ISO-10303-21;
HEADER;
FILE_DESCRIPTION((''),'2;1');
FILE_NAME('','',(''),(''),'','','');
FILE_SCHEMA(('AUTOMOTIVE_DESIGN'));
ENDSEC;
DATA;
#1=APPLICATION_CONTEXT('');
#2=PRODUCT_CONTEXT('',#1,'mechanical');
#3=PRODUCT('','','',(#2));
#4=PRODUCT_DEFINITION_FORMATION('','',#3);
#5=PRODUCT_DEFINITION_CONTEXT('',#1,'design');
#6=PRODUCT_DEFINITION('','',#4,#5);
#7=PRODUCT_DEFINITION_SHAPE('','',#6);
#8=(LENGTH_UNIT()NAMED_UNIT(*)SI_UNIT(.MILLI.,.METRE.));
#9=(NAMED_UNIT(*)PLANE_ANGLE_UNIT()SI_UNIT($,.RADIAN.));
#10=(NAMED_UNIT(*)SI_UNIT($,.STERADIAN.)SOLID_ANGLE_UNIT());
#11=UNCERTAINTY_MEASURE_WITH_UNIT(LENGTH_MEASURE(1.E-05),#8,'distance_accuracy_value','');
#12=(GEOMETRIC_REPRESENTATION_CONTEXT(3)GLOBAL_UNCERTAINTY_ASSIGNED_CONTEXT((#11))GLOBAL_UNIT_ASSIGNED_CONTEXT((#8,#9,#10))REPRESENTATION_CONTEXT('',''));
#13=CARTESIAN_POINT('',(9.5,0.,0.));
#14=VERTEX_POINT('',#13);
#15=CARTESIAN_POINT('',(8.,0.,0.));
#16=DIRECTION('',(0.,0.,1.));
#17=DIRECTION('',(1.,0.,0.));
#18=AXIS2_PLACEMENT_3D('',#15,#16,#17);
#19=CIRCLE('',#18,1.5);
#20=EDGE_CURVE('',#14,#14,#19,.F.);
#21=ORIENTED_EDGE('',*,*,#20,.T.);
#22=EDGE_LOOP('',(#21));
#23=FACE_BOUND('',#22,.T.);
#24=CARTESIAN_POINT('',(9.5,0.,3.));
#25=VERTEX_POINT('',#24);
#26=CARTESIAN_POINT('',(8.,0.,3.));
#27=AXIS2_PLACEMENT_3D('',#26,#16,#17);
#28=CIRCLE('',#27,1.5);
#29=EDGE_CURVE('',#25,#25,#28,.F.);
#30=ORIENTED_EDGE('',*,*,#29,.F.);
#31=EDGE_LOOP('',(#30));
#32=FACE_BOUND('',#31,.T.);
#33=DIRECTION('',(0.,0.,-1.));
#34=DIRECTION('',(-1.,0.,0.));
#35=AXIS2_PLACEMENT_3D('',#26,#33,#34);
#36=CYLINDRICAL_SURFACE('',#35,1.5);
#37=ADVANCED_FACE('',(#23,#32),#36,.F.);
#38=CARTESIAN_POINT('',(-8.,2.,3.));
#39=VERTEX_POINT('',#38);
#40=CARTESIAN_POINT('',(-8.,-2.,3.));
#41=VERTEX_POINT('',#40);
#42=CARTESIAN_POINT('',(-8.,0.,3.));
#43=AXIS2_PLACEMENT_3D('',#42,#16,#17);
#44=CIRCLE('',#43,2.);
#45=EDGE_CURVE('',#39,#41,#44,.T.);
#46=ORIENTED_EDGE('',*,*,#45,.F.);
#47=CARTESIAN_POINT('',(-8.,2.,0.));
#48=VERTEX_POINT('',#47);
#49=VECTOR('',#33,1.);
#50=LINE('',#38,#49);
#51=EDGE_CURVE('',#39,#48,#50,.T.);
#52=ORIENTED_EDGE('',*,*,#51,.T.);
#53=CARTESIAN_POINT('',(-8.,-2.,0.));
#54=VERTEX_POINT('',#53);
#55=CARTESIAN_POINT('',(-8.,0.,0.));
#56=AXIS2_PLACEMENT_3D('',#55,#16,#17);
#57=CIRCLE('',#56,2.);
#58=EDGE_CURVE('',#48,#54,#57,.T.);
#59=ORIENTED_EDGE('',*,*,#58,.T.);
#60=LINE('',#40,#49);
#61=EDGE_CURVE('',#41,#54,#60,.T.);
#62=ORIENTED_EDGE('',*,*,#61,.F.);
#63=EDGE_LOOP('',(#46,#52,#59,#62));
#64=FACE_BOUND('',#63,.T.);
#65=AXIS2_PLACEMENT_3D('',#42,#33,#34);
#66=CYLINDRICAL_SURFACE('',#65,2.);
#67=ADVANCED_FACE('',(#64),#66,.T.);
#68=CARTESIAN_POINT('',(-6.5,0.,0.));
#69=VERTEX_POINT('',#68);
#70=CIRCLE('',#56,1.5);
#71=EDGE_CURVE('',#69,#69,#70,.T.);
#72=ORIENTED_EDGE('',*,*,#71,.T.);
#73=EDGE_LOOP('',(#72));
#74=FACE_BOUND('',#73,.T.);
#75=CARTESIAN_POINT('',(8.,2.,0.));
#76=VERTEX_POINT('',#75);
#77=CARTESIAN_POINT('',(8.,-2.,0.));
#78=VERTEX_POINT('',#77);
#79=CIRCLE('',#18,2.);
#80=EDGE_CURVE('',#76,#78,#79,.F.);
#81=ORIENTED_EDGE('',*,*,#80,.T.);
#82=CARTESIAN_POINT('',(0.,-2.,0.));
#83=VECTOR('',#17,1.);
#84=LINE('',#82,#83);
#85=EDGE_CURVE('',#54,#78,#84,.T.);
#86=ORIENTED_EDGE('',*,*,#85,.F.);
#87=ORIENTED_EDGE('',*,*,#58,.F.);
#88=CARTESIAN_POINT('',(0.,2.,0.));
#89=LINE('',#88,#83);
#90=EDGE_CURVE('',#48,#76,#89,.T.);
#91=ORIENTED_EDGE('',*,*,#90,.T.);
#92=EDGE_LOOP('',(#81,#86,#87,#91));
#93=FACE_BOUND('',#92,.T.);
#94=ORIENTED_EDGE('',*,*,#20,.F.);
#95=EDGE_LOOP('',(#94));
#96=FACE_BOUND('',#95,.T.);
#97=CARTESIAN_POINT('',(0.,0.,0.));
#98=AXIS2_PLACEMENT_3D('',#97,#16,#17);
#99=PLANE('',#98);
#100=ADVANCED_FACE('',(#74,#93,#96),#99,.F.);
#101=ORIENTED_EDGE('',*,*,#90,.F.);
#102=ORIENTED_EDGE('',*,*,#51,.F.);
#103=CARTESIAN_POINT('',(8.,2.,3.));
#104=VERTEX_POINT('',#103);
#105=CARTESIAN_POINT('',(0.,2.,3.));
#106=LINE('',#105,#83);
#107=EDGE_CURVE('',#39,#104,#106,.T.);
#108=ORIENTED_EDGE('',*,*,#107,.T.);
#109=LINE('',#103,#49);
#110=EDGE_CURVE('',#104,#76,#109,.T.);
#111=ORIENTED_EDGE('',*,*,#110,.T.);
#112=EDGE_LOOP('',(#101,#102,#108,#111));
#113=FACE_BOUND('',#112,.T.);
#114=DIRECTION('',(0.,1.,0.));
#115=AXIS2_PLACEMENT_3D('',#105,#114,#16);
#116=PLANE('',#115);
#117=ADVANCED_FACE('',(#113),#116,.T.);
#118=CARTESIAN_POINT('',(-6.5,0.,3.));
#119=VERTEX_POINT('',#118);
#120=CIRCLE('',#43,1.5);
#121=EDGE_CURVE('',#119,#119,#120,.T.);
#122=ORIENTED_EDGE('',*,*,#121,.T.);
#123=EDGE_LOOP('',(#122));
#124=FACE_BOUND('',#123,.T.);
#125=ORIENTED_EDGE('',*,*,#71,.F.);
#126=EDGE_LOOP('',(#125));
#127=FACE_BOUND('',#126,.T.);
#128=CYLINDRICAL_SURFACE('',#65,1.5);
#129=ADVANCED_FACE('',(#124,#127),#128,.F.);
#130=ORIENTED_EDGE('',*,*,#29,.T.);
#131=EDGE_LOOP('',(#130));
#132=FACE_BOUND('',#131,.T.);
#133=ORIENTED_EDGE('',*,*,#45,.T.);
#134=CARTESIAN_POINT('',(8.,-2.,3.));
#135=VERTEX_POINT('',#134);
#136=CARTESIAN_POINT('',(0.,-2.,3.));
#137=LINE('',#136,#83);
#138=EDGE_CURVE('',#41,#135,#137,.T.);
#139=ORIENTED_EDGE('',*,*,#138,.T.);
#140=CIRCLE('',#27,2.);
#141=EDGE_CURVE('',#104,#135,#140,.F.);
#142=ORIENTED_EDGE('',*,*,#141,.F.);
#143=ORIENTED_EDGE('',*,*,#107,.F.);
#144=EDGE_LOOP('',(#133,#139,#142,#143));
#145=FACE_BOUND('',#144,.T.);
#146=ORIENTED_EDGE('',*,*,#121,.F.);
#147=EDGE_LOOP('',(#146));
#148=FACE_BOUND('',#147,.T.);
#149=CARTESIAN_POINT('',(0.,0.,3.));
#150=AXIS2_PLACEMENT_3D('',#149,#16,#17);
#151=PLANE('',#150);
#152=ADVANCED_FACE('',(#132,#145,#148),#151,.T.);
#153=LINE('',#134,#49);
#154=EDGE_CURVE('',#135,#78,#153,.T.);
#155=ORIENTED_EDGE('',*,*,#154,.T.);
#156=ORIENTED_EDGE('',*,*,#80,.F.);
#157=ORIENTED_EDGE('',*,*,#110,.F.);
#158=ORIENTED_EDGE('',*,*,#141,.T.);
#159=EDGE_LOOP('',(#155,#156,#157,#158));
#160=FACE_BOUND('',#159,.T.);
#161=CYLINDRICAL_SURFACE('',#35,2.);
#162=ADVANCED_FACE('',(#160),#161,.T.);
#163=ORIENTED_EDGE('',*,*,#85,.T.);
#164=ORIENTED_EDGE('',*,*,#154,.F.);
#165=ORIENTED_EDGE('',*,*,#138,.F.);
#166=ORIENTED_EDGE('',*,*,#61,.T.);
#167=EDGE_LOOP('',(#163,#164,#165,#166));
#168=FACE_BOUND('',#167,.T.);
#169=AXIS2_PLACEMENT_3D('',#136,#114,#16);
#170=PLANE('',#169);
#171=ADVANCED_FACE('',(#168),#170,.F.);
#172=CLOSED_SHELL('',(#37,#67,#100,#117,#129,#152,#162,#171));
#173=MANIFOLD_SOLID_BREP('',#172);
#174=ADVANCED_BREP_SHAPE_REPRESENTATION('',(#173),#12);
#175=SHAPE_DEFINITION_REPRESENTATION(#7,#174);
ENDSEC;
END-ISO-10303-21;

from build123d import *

# Parameters (mm, degrees)
SKETCH_1_R      = 1.5
EXTRUDE_1_DEPTH = 3


with BuildPart() as part:
    # 草图1 → 凸台-拉伸1 (new body)
    with BuildSketch(Plane.XY):
        with BuildLine():
            Line((-8, -2), (8, -2))
            ThreePointArc((8, -2), (10, 0), (8, 2))
            Line((8, 2), (-8, 2))
            ThreePointArc((-8, 2), (-10, 0), (-8, -2))
        make_face()
        with Locations((-8, 0)):
            Circle(SKETCH_1_R, mode=Mode.SUBTRACT)
        with Locations((8, 0)):
            Circle(SKETCH_1_R, mode=Mode.SUBTRACT)
    extrude(amount=EXTRUDE_1_DEPTH)


solid = part.part
